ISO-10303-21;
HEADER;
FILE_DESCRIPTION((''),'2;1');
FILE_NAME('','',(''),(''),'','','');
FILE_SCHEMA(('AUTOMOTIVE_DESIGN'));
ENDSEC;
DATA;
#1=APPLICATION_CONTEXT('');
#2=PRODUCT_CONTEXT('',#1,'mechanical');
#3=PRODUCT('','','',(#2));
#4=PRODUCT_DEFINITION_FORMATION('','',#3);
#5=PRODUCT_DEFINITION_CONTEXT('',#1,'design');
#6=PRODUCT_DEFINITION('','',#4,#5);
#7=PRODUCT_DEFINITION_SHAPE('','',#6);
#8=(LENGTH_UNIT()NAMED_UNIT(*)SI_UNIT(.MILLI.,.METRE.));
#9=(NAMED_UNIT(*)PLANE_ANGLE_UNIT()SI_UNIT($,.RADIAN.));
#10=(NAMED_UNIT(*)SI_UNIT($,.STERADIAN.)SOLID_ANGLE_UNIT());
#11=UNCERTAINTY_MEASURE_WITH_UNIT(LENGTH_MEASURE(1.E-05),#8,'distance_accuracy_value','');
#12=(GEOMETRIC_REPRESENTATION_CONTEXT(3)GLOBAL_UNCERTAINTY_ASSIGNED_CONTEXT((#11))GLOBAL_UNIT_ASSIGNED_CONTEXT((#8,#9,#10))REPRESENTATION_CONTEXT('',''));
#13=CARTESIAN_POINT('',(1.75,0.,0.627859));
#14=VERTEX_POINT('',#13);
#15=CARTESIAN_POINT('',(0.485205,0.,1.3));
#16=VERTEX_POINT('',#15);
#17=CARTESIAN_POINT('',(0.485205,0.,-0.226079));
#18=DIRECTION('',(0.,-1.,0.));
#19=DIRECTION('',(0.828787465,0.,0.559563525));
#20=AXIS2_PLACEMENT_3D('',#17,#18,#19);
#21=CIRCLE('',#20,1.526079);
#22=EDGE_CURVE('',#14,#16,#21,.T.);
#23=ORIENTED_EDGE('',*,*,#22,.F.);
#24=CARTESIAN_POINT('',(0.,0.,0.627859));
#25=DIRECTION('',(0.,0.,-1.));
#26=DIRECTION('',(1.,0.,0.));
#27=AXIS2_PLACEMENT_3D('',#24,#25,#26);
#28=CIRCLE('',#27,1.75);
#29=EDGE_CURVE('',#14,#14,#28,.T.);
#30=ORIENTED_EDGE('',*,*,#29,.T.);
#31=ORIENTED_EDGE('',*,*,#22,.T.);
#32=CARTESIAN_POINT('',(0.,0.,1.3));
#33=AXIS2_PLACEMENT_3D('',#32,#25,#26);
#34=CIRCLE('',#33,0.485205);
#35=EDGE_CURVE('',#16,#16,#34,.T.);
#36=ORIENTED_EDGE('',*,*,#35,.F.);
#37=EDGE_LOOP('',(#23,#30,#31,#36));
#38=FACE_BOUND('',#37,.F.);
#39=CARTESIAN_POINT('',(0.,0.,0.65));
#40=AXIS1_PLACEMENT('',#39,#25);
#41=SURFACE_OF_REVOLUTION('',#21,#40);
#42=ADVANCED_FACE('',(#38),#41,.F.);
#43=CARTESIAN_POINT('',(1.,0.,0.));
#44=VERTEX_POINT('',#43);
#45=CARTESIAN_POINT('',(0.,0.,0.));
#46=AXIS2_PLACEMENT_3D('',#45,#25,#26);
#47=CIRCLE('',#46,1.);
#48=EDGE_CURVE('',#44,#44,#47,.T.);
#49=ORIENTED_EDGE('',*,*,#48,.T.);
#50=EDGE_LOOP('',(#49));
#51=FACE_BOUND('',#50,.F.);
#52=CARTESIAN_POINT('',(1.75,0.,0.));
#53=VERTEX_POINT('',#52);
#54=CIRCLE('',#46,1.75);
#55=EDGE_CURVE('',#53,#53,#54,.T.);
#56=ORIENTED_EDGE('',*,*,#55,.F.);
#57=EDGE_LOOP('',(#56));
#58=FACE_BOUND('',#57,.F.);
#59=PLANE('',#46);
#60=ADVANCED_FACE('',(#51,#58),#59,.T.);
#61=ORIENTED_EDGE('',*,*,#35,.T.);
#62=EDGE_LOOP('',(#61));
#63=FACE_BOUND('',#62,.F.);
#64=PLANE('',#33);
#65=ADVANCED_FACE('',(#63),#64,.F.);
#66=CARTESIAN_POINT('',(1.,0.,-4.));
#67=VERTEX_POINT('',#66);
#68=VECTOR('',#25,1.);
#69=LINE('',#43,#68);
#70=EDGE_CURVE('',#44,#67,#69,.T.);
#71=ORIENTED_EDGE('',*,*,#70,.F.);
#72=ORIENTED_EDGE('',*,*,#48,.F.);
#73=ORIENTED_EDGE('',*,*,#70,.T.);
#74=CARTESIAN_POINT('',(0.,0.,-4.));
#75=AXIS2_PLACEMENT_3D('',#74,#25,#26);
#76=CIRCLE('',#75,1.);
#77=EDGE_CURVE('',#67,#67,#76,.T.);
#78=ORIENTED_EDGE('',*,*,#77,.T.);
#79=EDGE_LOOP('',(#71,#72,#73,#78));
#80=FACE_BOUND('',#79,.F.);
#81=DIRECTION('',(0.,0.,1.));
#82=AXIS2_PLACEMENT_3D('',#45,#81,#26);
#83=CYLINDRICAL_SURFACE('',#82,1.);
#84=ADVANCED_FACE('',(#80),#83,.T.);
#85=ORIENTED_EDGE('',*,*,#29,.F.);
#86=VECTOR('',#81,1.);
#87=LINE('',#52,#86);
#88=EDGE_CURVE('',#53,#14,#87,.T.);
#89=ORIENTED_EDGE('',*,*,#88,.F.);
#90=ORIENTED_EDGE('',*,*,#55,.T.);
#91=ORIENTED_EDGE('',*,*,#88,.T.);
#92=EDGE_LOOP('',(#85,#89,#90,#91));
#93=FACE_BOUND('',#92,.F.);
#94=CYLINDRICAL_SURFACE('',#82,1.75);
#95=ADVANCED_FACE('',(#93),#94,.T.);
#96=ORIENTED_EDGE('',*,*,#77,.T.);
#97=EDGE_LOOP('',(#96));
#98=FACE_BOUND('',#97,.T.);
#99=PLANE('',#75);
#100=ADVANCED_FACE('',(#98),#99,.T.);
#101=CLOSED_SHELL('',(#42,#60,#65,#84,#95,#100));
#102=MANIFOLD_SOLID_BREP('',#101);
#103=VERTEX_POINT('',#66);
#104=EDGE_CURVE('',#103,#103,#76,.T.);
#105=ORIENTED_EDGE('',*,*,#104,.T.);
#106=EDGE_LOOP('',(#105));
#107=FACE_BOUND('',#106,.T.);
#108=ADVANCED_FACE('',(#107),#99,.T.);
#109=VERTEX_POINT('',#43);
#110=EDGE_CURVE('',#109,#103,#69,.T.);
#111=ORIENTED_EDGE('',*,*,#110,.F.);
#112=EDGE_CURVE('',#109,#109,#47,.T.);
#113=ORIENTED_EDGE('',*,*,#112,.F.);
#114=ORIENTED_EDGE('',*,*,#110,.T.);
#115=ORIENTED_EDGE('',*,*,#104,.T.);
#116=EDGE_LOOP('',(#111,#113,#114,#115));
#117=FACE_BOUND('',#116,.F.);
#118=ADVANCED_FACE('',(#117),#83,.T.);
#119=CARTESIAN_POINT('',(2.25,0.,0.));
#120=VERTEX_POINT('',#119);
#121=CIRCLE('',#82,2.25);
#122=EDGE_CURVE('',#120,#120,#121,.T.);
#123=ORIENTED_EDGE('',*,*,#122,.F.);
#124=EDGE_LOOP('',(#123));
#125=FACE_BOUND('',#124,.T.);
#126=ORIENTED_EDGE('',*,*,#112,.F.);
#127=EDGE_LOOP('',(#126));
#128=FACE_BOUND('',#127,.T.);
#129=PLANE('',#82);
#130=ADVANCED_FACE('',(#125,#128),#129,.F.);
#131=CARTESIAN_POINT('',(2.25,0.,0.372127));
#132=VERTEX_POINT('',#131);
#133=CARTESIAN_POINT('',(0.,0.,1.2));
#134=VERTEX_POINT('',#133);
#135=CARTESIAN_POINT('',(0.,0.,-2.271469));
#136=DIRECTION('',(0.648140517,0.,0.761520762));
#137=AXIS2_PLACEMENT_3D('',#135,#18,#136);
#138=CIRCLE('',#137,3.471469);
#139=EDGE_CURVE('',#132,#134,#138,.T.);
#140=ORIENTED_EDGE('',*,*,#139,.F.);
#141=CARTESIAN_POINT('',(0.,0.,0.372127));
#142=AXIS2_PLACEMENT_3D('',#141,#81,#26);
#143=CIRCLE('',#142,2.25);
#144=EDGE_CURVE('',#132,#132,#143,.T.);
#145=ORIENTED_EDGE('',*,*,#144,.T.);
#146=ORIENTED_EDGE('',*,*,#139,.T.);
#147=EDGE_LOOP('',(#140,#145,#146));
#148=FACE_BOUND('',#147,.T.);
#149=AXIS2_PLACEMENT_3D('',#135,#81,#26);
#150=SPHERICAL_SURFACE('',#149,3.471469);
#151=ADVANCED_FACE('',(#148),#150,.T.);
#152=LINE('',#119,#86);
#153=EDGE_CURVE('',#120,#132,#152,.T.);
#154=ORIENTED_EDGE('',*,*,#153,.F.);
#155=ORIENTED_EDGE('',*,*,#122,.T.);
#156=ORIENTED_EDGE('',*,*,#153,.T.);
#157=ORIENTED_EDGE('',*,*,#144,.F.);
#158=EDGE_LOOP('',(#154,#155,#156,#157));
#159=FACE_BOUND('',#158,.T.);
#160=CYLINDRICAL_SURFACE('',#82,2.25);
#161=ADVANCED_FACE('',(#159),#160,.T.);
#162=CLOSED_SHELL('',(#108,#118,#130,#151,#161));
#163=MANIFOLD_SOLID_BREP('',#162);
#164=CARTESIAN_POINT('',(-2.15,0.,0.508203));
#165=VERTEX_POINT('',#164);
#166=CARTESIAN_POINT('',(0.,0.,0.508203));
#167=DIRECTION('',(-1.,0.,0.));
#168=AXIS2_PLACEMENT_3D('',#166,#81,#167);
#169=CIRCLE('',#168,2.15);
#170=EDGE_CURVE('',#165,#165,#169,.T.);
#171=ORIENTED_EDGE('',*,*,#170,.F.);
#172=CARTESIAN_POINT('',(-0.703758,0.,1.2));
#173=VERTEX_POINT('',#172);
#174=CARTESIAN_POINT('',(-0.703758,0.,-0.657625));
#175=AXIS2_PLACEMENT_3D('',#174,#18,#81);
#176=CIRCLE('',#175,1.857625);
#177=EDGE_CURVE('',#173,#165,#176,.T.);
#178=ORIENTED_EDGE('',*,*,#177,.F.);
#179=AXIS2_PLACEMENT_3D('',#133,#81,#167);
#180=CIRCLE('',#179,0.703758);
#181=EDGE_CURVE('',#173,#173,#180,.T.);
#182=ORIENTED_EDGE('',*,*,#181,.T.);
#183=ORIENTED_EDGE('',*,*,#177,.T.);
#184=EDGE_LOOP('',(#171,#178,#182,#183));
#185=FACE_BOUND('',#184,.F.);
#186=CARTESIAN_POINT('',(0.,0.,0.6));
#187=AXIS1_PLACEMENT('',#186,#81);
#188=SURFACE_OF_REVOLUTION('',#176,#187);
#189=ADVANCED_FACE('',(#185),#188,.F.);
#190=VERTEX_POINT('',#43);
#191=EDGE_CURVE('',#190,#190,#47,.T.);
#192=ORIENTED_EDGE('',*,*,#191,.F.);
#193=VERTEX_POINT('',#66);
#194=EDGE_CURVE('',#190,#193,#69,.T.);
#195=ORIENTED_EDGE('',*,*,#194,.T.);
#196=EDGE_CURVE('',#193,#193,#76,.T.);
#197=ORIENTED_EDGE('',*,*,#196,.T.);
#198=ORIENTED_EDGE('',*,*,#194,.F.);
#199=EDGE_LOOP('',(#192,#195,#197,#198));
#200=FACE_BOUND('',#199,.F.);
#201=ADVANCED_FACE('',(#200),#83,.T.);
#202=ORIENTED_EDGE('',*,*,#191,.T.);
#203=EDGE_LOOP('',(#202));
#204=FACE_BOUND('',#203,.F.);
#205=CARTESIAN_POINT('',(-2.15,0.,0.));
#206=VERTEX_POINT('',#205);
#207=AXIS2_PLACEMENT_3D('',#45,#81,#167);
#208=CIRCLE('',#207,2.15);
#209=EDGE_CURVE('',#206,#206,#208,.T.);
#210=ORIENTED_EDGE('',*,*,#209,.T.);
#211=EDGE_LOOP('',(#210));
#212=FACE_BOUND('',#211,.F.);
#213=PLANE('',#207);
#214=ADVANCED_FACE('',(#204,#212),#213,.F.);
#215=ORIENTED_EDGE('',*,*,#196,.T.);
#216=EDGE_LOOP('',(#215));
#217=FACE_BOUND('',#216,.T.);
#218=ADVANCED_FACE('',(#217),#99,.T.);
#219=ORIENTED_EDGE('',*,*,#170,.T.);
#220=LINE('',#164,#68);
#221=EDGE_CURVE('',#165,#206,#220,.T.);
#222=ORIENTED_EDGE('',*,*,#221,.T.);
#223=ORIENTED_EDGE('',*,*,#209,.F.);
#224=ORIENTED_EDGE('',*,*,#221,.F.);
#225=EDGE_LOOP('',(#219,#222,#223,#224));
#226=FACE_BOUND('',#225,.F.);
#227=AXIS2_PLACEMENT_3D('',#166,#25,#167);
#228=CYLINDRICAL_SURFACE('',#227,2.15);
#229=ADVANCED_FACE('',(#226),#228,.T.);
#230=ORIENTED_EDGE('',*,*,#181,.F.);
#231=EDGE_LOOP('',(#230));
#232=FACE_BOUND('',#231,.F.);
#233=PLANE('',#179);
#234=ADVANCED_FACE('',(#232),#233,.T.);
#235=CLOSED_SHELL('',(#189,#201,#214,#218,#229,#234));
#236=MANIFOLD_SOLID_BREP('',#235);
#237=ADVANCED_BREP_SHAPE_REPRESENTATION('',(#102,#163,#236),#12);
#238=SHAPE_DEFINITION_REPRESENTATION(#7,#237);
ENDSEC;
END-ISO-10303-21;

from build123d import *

# Parameters (mm, degrees)
F2_R      = 1
F3_DEPTH  = 4
F6_R      = 1
F7_DEPTH  = 4
F10_R     = 1
F11_DEPTH = 4


with BuildPart() as f1:
    # F0 (on Front) → F1 (revolve)
    with BuildSketch(Plane.XZ):
        with BuildLine():
            Line((0, 1.3), (0, 0))
            Line((0, 0), (1.75, 0))
            Line((1.75, 0), (1.75, 0.6278591463))
            ThreePointArc((1.75, 0.6278591463), (1.2013542978, 1.1215289152), (0.4852048587, 1.3))
            Line((0.4852048587, 1.3), (0, 1.3))
        make_face()
    revolve(axis=Axis((0, 0, 0.65), (0, 0, -1)))

    # F2 (on face) → F3 (join)
    with BuildSketch(Plane(origin=(0, 0, 0), x_dir=(1, 0, 0), z_dir=(0, 0, -1))):
        Circle(F2_R)
    extrude(amount=F3_DEPTH)


with BuildPart() as f5:
    # F4 (on Front) → F5 (revolve)
    with BuildSketch(Plane.XZ):
        with BuildLine():
            Line((-2.15, 0), (0, 0))
            Line((0, 0), (0, 1.2))
            Line((0, 1.2), (-0.7037581527, 1.2))
            ThreePointArc((-0.7037581527, 1.2), (-1.5053500961, 1.0181497263), (-2.15, 0.5082029966))
            Line((-2.15, 0.5082029966), (-2.15, 0))
        make_face()
    revolve(axis=Axis((0, 0, 0.6), (0, 0, 1)))

    # F6 (on face) → F7 (join)
    with BuildSketch(Plane(origin=(0, 0, 0), x_dir=(1, 0, 0), z_dir=(0, 0, -1))):
        Circle(F6_R)
    extrude(amount=F7_DEPTH)


with BuildPart() as f9:
    # F8 (on Front) → F9 (revolve)
    with BuildSketch(Plane.XZ):
        with BuildLine():
            Line((2.25, 0), (2.25, 0.3721266112))
            ThreePointArc((2.25, 0.3721266112), (1.1987362458, 0.9864641824), (0, 1.2))
            Line((0, 1.2), (0, 0))
            Line((0, 0), (2.25, 0))
        make_face()
    revolve(axis=Axis((0, 0, 0.6), (0, 0, 1)))

    # F10 (on face) → F11 (join)
    with BuildSketch(Plane(origin=(0, 0, 0), x_dir=(1, 0, 0), z_dir=(0, 0, -1))):
        Circle(F10_R)
    extrude(amount=F11_DEPTH)


solid = Compound([f1.part, f5.part, f9.part])
